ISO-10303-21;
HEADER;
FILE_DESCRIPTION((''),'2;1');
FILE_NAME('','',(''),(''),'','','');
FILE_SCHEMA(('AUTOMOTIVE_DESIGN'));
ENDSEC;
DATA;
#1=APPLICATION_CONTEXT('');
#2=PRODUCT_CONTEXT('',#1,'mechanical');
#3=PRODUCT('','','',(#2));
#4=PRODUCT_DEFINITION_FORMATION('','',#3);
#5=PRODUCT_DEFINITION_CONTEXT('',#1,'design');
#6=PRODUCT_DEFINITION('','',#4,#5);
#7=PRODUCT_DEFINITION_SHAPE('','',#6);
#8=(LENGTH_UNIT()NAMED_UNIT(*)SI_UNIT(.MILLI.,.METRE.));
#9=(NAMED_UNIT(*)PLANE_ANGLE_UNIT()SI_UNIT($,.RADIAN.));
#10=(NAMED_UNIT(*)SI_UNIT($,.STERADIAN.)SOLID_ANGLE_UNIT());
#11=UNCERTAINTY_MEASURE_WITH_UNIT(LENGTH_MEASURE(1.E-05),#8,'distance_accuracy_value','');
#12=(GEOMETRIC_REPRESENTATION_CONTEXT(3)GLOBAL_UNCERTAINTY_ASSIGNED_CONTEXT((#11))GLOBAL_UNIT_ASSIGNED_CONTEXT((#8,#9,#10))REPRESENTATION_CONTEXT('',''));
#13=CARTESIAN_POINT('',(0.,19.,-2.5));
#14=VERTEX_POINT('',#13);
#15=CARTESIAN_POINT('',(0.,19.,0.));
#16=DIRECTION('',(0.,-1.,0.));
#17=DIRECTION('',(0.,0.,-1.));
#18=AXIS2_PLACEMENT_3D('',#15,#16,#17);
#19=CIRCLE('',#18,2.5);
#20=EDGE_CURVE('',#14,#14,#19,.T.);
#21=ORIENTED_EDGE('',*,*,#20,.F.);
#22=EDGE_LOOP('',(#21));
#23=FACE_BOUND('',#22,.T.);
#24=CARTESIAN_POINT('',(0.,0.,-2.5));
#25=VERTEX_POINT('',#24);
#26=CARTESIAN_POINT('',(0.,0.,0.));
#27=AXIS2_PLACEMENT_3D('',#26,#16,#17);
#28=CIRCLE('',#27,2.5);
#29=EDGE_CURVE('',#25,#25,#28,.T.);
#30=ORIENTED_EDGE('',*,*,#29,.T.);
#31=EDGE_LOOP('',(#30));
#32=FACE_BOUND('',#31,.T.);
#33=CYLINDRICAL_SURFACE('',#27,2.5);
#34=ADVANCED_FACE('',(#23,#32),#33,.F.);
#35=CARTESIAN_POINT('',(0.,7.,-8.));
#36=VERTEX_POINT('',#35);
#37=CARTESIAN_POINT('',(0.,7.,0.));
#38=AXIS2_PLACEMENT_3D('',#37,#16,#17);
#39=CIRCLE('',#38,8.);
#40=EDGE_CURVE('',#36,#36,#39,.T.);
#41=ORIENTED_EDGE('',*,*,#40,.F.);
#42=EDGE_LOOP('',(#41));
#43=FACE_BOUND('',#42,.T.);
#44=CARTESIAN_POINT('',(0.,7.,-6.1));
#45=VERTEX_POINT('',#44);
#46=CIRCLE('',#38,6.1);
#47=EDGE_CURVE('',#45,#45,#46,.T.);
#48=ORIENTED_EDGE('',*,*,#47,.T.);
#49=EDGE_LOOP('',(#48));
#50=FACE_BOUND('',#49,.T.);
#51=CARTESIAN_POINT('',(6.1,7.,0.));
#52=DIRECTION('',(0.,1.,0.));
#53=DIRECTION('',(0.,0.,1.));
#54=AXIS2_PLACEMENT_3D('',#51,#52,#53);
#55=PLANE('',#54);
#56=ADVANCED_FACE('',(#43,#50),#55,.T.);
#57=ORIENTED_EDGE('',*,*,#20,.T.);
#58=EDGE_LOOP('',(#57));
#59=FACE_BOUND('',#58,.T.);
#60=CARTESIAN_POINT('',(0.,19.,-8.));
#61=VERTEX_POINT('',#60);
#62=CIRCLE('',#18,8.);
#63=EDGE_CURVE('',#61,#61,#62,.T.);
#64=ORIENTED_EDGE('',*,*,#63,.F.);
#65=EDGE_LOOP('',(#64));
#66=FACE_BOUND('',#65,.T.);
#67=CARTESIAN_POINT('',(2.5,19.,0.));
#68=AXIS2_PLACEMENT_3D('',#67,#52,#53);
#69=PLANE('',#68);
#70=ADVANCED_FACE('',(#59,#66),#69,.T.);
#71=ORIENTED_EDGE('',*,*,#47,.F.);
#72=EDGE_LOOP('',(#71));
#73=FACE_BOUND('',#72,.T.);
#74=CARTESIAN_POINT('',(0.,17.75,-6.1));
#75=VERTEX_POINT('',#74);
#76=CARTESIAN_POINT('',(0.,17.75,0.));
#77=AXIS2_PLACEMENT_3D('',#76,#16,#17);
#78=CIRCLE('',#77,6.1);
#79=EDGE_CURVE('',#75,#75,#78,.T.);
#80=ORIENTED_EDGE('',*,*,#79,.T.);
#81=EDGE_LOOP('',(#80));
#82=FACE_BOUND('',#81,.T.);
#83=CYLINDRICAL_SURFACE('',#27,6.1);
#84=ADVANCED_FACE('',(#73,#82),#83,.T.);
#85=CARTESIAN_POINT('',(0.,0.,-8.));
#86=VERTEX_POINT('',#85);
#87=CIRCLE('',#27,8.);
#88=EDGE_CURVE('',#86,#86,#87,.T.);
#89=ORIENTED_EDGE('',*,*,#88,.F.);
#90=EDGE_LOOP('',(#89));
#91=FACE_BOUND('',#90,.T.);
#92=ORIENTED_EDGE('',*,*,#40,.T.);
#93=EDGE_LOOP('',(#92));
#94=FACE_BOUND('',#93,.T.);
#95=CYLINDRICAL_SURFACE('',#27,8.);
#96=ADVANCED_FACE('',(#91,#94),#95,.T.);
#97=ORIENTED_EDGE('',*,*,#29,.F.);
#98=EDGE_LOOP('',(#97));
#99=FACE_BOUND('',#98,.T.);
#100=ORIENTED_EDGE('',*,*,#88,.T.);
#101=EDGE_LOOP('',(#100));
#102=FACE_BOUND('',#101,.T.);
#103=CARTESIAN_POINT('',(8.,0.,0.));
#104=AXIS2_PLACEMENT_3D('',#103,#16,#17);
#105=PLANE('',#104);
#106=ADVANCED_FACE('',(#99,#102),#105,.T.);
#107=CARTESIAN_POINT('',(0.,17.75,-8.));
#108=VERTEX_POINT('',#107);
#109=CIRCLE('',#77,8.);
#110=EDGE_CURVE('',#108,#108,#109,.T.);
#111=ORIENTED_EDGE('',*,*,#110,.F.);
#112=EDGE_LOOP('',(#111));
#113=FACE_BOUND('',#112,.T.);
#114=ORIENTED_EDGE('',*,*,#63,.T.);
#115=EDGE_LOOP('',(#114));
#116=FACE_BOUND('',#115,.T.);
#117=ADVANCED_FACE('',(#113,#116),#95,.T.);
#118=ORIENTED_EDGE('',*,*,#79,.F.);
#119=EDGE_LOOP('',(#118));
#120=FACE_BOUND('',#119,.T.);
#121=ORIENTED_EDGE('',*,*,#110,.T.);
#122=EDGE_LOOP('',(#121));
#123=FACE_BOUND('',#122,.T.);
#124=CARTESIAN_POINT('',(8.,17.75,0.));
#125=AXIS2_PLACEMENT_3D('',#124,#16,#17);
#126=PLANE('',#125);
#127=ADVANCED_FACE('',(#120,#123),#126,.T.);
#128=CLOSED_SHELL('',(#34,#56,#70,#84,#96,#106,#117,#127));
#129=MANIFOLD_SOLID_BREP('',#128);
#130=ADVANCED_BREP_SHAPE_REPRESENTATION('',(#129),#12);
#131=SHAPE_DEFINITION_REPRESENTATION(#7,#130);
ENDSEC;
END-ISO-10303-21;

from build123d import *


with BuildPart() as part:
    # Sketch1 → Revolve1 (revolve)
    with BuildSketch(Plane.XY, mode=Mode.PRIVATE) as revolve1_sk:
        Polygon((2.5, 0), (2.5, 19), (8, 19), (8, 17.75), (6.1, 17.75), (6.1, 7), (8, 7), (8, 0), align=None)
    revolve(revolve1_sk.sketch.rotate(Axis((0, 0, 0), (0, 1, 0)), 90), axis=Axis((0, 0, 0), (0, 1, 0)))


solid = part.part
